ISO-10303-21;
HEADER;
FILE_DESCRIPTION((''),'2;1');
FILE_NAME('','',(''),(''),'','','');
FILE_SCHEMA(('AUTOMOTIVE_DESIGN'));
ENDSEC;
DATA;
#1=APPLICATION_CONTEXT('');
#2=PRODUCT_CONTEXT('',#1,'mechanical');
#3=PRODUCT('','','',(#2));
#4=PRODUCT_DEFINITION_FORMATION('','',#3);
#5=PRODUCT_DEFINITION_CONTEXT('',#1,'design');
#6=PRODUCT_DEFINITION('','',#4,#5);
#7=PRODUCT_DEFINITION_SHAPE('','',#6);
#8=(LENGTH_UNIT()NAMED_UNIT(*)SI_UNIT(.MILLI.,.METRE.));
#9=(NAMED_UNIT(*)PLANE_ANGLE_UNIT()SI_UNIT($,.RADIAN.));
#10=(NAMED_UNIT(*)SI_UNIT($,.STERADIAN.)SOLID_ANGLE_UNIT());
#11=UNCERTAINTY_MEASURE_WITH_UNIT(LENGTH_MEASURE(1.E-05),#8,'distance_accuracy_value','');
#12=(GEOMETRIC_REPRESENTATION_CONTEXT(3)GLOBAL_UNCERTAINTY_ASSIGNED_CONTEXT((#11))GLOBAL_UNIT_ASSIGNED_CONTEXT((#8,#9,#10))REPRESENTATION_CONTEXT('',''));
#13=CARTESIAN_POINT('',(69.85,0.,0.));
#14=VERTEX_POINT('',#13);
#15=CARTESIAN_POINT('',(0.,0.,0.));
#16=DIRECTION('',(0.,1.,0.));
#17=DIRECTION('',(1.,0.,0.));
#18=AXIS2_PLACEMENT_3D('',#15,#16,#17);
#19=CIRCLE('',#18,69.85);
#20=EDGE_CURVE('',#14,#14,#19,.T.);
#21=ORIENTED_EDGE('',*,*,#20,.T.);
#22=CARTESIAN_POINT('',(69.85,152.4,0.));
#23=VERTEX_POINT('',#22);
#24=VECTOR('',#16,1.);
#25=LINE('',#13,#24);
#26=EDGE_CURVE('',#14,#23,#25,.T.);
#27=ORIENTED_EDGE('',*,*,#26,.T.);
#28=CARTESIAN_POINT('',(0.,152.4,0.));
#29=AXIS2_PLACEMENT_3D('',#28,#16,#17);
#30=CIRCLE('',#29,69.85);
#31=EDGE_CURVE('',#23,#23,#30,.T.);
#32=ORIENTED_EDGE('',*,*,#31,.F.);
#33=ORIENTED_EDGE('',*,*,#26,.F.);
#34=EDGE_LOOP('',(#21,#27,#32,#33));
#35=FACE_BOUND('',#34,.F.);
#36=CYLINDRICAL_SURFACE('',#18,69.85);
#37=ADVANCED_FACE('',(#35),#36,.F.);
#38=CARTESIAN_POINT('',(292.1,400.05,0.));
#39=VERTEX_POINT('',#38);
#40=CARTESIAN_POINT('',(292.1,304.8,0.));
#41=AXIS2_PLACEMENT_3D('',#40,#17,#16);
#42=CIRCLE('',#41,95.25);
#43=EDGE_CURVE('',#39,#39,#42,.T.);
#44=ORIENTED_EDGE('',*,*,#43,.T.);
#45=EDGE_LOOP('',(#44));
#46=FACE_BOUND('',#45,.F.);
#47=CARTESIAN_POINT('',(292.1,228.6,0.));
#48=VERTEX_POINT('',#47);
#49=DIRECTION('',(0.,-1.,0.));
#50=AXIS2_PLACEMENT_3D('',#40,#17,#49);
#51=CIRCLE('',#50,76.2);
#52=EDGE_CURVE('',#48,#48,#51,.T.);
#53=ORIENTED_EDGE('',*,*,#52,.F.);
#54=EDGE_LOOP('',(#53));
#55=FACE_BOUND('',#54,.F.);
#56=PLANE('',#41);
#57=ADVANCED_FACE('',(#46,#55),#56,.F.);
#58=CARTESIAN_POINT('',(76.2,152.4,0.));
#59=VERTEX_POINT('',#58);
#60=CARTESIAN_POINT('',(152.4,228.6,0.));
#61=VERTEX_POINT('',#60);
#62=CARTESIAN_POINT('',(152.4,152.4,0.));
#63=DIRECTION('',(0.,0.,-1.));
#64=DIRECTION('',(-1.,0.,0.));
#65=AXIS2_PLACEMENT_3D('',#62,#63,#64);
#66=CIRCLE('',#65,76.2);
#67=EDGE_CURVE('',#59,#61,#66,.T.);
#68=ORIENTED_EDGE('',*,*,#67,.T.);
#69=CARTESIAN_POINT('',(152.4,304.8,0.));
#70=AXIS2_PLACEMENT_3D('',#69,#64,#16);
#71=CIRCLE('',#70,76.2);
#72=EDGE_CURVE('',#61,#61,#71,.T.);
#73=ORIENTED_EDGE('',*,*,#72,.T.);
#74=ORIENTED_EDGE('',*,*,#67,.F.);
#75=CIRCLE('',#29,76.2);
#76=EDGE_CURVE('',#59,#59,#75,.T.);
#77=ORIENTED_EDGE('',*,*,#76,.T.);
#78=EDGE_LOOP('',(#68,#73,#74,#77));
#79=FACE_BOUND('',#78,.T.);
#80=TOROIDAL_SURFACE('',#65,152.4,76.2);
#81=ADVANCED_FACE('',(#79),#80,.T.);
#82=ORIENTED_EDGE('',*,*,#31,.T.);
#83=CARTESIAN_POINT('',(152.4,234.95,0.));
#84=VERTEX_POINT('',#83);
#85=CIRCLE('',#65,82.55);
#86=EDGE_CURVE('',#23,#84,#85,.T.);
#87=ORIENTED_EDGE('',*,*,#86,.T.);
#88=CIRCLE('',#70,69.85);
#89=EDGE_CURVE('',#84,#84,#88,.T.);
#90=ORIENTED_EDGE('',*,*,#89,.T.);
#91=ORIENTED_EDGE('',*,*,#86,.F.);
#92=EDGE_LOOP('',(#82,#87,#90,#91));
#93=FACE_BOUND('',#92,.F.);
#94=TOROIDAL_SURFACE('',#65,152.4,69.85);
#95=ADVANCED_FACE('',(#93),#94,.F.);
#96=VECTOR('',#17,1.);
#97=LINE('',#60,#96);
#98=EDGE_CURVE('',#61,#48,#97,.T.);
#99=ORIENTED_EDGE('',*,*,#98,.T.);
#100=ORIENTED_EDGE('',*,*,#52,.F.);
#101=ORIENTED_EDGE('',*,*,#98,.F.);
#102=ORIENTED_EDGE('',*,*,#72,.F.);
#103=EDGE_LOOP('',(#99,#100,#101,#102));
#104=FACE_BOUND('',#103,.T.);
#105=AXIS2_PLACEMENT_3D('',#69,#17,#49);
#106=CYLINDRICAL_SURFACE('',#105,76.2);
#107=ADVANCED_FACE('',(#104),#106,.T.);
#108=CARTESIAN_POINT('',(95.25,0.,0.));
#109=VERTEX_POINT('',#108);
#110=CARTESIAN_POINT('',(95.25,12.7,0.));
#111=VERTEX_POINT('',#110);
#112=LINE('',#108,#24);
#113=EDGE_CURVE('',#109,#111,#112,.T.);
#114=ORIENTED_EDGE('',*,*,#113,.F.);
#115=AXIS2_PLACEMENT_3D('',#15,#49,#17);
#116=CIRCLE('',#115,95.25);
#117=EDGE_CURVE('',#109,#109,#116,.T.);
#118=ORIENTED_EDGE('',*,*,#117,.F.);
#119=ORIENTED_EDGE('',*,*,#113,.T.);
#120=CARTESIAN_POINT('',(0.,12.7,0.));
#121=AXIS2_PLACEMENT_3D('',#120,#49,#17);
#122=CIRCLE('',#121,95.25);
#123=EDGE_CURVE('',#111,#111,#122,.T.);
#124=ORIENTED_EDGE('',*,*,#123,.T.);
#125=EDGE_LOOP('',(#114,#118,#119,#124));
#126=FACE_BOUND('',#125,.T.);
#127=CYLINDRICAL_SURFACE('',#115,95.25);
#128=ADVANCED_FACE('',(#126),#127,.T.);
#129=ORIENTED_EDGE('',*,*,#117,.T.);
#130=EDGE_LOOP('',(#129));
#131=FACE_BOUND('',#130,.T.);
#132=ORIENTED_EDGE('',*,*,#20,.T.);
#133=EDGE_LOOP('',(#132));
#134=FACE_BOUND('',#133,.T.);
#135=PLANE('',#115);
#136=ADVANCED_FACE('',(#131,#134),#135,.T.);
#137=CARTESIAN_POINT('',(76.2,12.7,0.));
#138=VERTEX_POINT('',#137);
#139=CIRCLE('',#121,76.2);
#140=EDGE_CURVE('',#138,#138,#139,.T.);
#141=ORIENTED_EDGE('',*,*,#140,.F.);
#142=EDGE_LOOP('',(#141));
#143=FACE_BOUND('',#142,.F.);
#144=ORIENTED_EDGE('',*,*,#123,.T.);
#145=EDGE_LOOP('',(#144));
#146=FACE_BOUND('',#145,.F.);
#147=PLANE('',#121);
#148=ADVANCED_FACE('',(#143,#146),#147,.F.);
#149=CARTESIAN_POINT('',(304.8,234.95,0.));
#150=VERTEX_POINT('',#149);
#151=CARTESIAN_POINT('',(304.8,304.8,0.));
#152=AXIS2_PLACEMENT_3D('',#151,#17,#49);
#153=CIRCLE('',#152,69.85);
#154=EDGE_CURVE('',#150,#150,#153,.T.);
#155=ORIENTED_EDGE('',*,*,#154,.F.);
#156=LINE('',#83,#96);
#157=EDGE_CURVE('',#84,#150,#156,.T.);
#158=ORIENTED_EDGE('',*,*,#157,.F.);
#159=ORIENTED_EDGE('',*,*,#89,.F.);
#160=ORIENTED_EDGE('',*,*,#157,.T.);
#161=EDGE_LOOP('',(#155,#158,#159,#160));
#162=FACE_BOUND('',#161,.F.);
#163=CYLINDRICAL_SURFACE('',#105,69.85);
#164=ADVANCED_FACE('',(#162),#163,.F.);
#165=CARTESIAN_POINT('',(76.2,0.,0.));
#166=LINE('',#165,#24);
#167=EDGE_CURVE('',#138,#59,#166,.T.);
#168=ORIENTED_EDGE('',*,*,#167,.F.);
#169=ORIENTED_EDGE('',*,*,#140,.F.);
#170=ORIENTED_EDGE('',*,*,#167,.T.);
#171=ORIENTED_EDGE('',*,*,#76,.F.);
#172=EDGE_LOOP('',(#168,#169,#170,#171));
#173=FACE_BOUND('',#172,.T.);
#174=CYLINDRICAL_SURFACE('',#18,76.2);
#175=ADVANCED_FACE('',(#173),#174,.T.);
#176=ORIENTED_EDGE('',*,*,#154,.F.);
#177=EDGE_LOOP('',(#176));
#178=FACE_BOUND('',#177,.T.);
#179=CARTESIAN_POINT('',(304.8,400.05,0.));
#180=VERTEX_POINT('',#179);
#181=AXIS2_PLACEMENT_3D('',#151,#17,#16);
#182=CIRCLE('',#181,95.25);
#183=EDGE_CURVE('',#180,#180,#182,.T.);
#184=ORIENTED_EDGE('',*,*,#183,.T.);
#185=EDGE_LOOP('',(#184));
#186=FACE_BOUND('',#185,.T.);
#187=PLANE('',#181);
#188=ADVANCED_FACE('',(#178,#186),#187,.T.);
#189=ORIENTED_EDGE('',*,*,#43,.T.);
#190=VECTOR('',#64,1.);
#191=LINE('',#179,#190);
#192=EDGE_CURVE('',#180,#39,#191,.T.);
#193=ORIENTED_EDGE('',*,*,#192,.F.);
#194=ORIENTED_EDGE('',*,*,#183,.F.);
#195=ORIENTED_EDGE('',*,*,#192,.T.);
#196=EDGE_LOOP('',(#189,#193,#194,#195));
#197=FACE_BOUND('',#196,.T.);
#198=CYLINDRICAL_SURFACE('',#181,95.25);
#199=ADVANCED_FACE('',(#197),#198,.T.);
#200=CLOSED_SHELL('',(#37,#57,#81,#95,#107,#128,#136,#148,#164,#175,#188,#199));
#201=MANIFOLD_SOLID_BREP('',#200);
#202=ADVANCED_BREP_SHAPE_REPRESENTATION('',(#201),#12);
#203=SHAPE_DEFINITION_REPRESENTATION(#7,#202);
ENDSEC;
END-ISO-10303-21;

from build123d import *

# Parameters (mm, degrees)
F0_R     = 76.2
F3_T     = -6.35
F0_R_2   = 95.25
F4_DEPTH = 12.7
F6_R     = 95.25
F6_R_2   = 76.2
F7_DEPTH = 12.7


with BuildPart() as f2:
    # F2: sweep along a path in F1
    with BuildLine(Plane.XY) as f2_path:
        Line((0, 0), (0, 152.4))
        ThreePointArc((0, 152.4), (44.6369265472, 260.1630734528), (152.4, 304.8))
        Line((152.4, 304.8), (304.8, 304.8))
    # F0 (on Front) → F2 (sweep)
    with BuildSketch(Plane.XZ):
        Circle(F0_R)
    sweep(path=f2_path.line)

    # F3
    f3_openings = [f2.faces().sort_by_distance(p)[0] for p in [
        (0, 0, 0),
        (304.8, 304.8, 0),
    ]]
    offset(amount=F3_T, openings=f3_openings)

    # F0 (on Front) → F4 (join)
    with BuildSketch(Plane.XZ):
        Circle(F0_R_2)
        Circle(F0_R, mode=Mode.SUBTRACT)
    extrude(amount=-F4_DEPTH)

    # F6 (on line) → F7 (join)
    with BuildSketch(Plane.YZ.offset(304.8)):
        with Locations((304.8, 0)):
            Circle(F6_R)
        with Locations((304.8, 0)):
            Circle(F6_R_2, mode=Mode.SUBTRACT)
    extrude(amount=-F7_DEPTH)


solid = f2.part
